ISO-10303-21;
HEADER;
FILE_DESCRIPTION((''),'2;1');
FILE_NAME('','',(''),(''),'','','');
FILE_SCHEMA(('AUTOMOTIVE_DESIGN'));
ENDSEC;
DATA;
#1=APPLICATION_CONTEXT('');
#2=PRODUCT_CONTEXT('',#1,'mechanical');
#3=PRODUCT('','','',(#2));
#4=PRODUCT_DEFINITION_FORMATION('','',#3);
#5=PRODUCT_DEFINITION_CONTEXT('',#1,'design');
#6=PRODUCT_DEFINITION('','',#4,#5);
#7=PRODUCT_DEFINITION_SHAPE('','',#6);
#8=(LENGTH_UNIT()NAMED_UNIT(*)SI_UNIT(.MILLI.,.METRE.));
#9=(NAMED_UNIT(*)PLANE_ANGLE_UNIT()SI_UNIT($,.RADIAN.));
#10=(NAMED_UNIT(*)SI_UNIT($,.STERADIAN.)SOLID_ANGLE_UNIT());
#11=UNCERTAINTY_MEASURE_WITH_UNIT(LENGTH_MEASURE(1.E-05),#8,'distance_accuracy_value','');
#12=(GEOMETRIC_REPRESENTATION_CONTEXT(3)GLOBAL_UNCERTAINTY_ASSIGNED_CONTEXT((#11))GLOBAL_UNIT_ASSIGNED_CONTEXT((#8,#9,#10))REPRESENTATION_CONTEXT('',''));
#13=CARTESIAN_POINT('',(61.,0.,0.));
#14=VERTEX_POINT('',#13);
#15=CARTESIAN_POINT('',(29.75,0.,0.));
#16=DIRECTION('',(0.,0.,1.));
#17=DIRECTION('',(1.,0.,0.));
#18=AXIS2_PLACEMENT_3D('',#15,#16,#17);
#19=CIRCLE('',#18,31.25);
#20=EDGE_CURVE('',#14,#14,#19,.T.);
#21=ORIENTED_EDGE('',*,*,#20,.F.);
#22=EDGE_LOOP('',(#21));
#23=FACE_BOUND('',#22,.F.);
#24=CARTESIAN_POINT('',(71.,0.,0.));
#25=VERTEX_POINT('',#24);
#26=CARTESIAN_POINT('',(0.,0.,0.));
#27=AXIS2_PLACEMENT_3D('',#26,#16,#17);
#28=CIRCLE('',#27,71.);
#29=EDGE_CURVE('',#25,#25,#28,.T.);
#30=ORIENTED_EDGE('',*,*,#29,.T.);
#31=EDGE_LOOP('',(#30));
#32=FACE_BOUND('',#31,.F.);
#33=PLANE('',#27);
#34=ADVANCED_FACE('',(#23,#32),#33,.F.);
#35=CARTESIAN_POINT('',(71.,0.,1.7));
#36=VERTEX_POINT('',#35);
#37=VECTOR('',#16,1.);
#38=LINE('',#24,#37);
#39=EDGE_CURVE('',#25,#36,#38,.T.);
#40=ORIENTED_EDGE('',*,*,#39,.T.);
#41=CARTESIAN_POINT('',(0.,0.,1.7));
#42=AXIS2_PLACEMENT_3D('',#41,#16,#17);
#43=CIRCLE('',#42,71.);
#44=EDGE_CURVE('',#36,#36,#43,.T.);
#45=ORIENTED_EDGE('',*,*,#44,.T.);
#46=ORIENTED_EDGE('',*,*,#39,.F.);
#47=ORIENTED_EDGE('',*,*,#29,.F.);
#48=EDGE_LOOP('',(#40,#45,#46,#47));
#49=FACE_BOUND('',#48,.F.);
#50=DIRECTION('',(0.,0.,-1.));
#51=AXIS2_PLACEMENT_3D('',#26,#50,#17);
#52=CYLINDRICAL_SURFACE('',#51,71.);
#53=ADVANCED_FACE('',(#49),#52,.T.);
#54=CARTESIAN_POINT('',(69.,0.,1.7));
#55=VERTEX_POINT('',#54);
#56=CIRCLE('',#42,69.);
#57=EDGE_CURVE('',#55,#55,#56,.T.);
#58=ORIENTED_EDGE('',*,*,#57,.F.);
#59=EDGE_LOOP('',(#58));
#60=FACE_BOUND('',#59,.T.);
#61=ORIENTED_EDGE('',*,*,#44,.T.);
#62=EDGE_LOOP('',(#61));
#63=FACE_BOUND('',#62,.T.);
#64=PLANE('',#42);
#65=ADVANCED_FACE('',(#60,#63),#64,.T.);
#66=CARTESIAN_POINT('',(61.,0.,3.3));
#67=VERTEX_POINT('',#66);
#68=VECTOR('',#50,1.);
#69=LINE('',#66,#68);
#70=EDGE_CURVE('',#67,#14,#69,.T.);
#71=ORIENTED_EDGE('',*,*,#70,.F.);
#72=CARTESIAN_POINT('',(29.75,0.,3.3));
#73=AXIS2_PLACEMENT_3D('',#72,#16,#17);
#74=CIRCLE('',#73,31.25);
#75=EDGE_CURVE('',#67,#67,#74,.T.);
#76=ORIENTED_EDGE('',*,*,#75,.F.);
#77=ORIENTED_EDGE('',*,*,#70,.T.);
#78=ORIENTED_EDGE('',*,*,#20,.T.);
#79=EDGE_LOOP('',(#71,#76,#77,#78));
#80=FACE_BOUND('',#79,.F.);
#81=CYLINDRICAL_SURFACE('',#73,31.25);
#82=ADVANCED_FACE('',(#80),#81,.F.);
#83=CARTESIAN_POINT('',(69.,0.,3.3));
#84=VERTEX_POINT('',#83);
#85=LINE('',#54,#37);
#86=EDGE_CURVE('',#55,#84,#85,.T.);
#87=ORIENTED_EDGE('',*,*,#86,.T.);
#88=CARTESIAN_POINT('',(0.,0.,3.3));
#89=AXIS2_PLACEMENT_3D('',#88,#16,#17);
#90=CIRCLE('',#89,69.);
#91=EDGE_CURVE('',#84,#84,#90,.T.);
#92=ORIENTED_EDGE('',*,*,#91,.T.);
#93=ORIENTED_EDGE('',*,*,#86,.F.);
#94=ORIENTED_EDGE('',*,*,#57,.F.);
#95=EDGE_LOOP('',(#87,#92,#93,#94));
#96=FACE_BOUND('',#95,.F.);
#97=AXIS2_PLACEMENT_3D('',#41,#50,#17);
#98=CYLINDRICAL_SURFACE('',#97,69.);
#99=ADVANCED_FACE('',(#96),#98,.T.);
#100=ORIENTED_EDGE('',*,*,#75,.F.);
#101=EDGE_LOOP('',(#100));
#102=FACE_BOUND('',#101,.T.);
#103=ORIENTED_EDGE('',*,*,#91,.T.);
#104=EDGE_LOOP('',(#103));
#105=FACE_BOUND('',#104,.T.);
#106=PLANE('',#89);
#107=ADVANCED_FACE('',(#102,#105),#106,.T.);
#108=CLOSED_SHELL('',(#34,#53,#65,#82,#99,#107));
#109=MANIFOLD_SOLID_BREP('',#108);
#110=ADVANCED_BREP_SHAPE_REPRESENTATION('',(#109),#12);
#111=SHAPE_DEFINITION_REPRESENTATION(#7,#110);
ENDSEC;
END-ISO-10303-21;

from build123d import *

# Parameters (mm, degrees)
F0_R     = 71
F1_DEPTH = 1.7
F2_R     = 69
F3_DEPTH = 1.6
F4_R     = 31.25
F5_DEPTH = 25


with BuildPart() as f1:
    # F0 (on Top) → F1 (new body)
    with BuildSketch(Plane.XY):
        Circle(F0_R)
    extrude(amount=F1_DEPTH)

    # F2 (on face) → F3 (join)
    with BuildSketch(Plane.XY.offset(1.7)):
        Circle(F2_R)
    extrude(amount=F3_DEPTH)

    # F4 (on face) → F5 (cut)
    with BuildSketch(Plane.XY.offset(3.3)):
        with Locations((29.75, 0)):
            Circle(F4_R)
    extrude(amount=-F5_DEPTH, mode=Mode.SUBTRACT)


solid = f1.part
